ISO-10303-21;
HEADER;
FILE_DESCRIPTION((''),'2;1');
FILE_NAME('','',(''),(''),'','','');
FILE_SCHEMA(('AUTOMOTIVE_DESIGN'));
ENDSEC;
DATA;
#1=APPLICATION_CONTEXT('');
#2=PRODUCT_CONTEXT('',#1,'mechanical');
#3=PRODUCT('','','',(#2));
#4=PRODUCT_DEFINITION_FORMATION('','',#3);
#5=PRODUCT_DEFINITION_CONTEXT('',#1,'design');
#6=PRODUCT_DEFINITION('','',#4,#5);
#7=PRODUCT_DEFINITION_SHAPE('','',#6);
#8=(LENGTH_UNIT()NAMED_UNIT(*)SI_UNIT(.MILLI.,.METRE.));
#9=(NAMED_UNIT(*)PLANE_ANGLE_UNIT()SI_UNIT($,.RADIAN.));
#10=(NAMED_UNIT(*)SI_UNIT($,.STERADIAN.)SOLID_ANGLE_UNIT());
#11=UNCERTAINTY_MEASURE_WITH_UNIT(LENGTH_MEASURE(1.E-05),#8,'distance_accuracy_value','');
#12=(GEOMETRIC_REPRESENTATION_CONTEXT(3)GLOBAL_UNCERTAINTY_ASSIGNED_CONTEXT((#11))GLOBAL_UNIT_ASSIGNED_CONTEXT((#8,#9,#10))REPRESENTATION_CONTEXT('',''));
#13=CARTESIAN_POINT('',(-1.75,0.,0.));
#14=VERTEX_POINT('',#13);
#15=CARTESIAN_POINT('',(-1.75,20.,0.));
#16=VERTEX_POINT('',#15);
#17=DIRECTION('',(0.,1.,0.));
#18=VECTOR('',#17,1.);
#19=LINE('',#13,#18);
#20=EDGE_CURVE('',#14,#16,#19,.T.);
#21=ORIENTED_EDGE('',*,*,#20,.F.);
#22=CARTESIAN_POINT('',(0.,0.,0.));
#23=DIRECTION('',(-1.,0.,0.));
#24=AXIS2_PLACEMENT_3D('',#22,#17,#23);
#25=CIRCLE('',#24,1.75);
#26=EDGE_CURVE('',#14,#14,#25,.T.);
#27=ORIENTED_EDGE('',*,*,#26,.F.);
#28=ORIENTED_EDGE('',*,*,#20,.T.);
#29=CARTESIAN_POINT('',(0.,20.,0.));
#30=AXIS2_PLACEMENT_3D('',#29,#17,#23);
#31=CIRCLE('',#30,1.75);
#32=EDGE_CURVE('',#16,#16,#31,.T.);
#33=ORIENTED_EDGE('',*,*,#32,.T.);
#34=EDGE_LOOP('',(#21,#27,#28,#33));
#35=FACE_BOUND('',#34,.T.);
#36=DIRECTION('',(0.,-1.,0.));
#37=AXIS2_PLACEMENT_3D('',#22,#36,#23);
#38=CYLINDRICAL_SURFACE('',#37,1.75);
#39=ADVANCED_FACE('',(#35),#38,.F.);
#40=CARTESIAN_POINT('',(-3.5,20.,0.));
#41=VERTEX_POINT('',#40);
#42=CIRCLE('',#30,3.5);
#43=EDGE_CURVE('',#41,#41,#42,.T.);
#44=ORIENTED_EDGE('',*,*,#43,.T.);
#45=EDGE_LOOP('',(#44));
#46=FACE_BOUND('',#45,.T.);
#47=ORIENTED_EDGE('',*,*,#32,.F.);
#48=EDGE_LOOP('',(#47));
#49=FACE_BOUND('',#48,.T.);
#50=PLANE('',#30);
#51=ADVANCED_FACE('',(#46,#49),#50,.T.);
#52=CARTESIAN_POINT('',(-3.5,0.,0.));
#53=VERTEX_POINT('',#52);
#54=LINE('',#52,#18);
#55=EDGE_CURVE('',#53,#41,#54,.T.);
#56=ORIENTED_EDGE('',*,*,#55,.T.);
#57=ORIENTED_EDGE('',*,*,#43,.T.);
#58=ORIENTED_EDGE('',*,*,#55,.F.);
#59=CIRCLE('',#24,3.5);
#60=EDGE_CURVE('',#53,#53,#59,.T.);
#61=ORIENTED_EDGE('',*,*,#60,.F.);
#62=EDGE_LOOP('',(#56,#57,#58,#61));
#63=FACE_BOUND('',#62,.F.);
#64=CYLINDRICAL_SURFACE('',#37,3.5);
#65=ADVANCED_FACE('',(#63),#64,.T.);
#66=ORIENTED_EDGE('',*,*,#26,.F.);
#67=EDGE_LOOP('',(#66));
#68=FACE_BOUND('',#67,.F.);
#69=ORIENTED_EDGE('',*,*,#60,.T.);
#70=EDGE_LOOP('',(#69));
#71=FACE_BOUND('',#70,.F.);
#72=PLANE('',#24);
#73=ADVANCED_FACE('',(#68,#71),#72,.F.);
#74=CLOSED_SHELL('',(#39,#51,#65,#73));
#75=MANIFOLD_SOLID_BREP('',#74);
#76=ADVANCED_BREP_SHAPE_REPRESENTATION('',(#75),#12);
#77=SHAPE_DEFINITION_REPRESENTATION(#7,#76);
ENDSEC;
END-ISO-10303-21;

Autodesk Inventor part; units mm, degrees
ref_plane "YZ Plane" through (0, 0, 0) normal (1, 0, 0) x (0, 1, 0)
ref_plane "XZ Plane" through (0, 0, 0) normal (0, 1, 0) x (-1, 0, 0)
ref_plane "XY Plane" through (0, 0, 0) normal (0, 0, 1) x (1, 0, 0)
sketch "Boceto1" plane through (0, 0, 0) normal (0, 1, 0) x (-1, 0, 0)
  circle A0 centre (0, 0) radius 3.5
  circle A1 centre (0, 0) radius 1.75
  dimension "d0" = 7
  dimension "d1" = 3.5
extrude "Extrusión1" add sketch "Boceto1" along normal blind 20
properties part number "Distanciador"
